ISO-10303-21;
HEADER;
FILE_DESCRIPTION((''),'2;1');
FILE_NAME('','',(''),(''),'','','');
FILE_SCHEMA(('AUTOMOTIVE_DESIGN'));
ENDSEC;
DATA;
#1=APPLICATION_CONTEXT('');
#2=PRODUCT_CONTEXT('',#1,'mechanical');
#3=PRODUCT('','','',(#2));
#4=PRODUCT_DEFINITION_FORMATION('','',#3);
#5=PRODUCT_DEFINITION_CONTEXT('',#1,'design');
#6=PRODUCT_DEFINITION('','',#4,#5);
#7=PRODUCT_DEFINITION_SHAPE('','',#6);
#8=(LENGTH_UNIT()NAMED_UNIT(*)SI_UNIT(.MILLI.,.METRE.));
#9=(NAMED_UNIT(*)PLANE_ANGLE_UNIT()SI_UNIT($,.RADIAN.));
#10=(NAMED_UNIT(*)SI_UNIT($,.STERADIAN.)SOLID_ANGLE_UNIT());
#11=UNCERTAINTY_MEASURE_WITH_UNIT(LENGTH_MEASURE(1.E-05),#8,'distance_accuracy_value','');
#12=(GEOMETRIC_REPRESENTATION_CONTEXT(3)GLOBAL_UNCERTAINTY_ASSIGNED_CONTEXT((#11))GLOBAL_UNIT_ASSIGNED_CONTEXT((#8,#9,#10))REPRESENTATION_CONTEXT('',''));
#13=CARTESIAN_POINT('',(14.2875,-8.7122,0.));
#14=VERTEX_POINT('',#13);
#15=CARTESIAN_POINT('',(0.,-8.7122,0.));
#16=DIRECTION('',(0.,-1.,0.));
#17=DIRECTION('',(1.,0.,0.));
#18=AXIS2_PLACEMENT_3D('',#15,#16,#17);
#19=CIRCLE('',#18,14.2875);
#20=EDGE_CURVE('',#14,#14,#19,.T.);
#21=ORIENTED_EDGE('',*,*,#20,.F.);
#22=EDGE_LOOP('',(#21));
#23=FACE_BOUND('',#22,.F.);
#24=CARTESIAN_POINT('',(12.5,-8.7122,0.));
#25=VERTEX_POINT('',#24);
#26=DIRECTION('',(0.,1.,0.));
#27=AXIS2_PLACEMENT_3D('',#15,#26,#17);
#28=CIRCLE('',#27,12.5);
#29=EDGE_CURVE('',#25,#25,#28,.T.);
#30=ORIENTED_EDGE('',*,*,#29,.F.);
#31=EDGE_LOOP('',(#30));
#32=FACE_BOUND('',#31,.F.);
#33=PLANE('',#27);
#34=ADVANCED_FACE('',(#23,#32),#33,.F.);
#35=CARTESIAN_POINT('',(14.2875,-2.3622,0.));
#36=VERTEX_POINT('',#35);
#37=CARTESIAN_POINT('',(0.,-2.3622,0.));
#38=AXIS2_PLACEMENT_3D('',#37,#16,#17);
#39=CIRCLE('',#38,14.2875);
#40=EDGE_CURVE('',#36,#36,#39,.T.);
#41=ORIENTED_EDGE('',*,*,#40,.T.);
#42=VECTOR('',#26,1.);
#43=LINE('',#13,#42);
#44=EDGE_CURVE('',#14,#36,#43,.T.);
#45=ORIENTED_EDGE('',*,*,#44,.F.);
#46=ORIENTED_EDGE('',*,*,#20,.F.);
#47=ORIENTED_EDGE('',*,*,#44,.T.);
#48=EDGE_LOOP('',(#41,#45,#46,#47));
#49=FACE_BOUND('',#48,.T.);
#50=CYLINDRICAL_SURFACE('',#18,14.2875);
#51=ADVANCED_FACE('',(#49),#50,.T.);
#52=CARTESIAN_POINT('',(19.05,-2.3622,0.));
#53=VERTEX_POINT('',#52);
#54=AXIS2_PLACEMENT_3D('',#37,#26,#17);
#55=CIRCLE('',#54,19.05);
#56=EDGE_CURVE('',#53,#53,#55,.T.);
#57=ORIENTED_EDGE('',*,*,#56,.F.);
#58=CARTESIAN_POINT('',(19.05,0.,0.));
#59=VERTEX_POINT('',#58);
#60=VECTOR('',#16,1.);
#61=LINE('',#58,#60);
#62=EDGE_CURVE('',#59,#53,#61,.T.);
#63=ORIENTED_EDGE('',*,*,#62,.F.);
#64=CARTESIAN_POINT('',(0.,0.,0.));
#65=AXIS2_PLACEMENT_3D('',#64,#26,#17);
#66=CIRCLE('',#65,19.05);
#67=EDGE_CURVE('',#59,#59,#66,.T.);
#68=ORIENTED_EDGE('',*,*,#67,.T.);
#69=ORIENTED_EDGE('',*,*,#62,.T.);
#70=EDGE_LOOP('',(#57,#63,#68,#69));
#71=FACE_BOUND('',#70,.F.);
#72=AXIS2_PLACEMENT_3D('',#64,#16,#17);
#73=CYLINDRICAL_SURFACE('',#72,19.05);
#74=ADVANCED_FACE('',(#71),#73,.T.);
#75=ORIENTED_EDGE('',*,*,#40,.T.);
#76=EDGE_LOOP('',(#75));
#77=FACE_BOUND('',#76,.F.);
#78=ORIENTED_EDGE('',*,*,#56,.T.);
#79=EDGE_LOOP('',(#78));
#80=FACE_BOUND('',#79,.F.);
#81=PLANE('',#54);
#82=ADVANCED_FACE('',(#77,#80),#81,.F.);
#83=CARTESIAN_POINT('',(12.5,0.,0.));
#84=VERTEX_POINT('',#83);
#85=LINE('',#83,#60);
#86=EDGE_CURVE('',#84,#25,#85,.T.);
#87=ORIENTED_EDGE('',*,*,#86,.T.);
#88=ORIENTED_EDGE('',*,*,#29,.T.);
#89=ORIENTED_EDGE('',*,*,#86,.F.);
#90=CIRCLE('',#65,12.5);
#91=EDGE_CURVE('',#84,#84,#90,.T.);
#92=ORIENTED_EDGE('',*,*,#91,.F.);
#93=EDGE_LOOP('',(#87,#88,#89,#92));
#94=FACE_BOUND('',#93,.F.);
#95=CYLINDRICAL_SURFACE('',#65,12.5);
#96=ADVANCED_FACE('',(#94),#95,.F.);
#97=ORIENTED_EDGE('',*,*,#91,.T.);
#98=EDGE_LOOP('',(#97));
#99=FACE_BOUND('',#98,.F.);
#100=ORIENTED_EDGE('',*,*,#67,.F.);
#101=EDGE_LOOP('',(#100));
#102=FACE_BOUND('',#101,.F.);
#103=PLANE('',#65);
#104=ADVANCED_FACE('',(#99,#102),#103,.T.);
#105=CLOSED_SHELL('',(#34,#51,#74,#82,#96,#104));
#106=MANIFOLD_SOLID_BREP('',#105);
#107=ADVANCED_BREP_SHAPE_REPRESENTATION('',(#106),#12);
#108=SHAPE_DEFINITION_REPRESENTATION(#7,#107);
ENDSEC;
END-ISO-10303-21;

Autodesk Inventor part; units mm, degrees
ref_plane "YZ Plane" through (0, 0, 0) normal (1, 0, 0) x (0, 1, 0)
ref_plane "XZ Plane" through (0, 0, 0) normal (0, 1, 0) x (-1, 0, 0)
ref_plane "XY Plane" through (0, 0, 0) normal (0, 0, 1) x (1, 0, 0)
sketch "Sketch1" plane through (0, 0, 0) normal (0, 0, 1) x (1, 0, 0)
  line L0 (0, 0) -> (19.05, 0)
  line L1 (19.05, 0) -> (19.05, -2.3622)
  line L2 (19.05, -2.3622) -> (14.8082, -2.3622)
  line L3 (14.8082, -2.3622) -> (14.8082, -8.7122)
  line L4 (14.8082, -8.7122) -> (0, -8.7122)
  line L5 (0, -8.7122) -> (0, 0)
  dimension "d2" = 19.05
  dimension "d3" = 2.3622
  dimension "d4" = 4.2418
  dimension "d5" = 6.35
revolve "Revolution1" add sketch "Sketch1" angle 360 about axis through (0, -8.7122, 0) along (0, 1, 0)
sketch "Sketch2" plane through (0, 0, 0) normal (0, 1, 0) x (1, 0, 0)
  circle A0 centre (0, 0) radius 12.5
  dimension "d7" = 25
extrude "Extrusion1" cut sketch "Sketch2" against normal blind 25.4
sketch "Sketch3" plane through (0, -8.7122, 0) normal (0, -1, 0) x (1, 0, 0)
  circle A0 centre (0, 0) radius 14.2875
  circle A1 centre (0, 0) radius 14.8082
  dimension "d10" = 28.575
extrude "Extrusion2" cut sketch "Sketch3" against normal blind 6.35
properties part number "BevelWheelSpace" material "ABS Plastic"
